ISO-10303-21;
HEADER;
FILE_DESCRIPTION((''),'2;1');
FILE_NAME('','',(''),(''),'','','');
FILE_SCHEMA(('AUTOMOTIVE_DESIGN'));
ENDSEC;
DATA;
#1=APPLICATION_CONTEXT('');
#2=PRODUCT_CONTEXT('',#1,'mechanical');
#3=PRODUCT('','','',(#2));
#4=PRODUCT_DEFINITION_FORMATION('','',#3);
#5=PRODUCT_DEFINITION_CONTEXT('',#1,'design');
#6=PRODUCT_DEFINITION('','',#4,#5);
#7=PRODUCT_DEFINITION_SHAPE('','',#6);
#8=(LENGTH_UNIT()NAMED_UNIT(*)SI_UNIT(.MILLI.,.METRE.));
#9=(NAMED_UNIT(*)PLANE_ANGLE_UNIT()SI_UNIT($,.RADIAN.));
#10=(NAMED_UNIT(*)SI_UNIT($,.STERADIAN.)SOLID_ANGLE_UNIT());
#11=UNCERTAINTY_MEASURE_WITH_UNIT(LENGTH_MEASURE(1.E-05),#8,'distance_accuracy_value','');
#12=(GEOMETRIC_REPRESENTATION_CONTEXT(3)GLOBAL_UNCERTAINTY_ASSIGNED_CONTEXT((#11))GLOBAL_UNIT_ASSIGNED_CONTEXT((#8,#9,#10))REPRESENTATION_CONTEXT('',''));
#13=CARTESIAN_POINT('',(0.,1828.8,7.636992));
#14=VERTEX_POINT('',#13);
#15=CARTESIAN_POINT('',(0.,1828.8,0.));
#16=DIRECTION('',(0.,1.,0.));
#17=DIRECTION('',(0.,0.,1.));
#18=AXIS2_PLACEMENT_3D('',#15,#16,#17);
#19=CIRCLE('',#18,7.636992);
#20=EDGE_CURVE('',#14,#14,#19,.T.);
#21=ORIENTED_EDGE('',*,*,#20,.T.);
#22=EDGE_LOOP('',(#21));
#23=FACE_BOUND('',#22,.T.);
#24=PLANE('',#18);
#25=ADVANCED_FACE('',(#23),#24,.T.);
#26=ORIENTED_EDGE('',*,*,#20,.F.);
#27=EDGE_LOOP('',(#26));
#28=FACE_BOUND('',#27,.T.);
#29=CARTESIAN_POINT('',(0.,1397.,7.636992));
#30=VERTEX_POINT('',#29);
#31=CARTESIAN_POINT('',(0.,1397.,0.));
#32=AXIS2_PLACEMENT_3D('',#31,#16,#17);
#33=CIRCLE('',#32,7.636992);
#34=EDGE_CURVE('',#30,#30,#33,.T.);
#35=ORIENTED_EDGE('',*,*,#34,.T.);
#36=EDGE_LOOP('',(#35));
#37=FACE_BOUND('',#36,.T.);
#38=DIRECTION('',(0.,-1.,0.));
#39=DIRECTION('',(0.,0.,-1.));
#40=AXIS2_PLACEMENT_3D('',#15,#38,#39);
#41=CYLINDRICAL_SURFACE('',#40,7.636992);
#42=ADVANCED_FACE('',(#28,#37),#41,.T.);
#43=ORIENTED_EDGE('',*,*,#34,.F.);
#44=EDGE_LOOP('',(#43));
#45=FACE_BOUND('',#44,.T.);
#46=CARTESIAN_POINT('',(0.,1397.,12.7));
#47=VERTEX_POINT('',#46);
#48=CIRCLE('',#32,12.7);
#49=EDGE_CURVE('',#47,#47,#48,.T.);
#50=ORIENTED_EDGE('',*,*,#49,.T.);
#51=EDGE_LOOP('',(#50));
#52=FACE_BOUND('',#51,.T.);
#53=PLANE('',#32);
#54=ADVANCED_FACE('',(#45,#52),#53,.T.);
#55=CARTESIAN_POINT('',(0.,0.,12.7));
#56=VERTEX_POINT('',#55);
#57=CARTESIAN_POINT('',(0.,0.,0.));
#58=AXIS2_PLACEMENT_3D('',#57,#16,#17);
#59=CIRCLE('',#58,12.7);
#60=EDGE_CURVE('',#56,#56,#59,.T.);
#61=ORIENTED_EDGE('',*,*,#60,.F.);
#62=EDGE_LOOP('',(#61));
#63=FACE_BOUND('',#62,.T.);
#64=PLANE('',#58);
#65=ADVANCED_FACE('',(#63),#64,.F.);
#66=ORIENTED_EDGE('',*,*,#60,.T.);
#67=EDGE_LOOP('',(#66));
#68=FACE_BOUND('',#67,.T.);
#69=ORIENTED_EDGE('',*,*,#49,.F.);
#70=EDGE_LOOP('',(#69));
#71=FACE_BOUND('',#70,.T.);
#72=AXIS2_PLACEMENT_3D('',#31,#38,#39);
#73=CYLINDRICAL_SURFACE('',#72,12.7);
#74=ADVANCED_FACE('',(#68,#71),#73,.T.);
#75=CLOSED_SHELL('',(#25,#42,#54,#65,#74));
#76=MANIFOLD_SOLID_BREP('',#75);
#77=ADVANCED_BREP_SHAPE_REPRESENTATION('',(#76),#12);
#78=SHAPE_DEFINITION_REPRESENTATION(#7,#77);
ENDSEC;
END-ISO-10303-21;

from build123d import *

# Parameters (mm, degrees)
SKETCH1_R           = 12.7
BOSS_EXTRUDE1_DEPTH = 1397
SKETCH2_R           = 7.636992257
BOSS_EXTRUDE2_DEPTH = 431.8


with BuildPart() as part:
    # Sketch1 → Boss-Extrude1 (new body)
    with BuildSketch(Plane(origin=(0, 0, 0), x_dir=(1, 0, 0), z_dir=(0, 1, 0))):
        Circle(SKETCH1_R)
    extrude(amount=BOSS_EXTRUDE1_DEPTH)

    # Sketch2 → Boss-Extrude2 (add)
    with BuildSketch(Plane(origin=(0, 1397, 0), x_dir=(1, 0, 0), z_dir=(0, 1, 0))):
        Circle(SKETCH2_R)
    extrude(amount=BOSS_EXTRUDE2_DEPTH)


solid = part.part
